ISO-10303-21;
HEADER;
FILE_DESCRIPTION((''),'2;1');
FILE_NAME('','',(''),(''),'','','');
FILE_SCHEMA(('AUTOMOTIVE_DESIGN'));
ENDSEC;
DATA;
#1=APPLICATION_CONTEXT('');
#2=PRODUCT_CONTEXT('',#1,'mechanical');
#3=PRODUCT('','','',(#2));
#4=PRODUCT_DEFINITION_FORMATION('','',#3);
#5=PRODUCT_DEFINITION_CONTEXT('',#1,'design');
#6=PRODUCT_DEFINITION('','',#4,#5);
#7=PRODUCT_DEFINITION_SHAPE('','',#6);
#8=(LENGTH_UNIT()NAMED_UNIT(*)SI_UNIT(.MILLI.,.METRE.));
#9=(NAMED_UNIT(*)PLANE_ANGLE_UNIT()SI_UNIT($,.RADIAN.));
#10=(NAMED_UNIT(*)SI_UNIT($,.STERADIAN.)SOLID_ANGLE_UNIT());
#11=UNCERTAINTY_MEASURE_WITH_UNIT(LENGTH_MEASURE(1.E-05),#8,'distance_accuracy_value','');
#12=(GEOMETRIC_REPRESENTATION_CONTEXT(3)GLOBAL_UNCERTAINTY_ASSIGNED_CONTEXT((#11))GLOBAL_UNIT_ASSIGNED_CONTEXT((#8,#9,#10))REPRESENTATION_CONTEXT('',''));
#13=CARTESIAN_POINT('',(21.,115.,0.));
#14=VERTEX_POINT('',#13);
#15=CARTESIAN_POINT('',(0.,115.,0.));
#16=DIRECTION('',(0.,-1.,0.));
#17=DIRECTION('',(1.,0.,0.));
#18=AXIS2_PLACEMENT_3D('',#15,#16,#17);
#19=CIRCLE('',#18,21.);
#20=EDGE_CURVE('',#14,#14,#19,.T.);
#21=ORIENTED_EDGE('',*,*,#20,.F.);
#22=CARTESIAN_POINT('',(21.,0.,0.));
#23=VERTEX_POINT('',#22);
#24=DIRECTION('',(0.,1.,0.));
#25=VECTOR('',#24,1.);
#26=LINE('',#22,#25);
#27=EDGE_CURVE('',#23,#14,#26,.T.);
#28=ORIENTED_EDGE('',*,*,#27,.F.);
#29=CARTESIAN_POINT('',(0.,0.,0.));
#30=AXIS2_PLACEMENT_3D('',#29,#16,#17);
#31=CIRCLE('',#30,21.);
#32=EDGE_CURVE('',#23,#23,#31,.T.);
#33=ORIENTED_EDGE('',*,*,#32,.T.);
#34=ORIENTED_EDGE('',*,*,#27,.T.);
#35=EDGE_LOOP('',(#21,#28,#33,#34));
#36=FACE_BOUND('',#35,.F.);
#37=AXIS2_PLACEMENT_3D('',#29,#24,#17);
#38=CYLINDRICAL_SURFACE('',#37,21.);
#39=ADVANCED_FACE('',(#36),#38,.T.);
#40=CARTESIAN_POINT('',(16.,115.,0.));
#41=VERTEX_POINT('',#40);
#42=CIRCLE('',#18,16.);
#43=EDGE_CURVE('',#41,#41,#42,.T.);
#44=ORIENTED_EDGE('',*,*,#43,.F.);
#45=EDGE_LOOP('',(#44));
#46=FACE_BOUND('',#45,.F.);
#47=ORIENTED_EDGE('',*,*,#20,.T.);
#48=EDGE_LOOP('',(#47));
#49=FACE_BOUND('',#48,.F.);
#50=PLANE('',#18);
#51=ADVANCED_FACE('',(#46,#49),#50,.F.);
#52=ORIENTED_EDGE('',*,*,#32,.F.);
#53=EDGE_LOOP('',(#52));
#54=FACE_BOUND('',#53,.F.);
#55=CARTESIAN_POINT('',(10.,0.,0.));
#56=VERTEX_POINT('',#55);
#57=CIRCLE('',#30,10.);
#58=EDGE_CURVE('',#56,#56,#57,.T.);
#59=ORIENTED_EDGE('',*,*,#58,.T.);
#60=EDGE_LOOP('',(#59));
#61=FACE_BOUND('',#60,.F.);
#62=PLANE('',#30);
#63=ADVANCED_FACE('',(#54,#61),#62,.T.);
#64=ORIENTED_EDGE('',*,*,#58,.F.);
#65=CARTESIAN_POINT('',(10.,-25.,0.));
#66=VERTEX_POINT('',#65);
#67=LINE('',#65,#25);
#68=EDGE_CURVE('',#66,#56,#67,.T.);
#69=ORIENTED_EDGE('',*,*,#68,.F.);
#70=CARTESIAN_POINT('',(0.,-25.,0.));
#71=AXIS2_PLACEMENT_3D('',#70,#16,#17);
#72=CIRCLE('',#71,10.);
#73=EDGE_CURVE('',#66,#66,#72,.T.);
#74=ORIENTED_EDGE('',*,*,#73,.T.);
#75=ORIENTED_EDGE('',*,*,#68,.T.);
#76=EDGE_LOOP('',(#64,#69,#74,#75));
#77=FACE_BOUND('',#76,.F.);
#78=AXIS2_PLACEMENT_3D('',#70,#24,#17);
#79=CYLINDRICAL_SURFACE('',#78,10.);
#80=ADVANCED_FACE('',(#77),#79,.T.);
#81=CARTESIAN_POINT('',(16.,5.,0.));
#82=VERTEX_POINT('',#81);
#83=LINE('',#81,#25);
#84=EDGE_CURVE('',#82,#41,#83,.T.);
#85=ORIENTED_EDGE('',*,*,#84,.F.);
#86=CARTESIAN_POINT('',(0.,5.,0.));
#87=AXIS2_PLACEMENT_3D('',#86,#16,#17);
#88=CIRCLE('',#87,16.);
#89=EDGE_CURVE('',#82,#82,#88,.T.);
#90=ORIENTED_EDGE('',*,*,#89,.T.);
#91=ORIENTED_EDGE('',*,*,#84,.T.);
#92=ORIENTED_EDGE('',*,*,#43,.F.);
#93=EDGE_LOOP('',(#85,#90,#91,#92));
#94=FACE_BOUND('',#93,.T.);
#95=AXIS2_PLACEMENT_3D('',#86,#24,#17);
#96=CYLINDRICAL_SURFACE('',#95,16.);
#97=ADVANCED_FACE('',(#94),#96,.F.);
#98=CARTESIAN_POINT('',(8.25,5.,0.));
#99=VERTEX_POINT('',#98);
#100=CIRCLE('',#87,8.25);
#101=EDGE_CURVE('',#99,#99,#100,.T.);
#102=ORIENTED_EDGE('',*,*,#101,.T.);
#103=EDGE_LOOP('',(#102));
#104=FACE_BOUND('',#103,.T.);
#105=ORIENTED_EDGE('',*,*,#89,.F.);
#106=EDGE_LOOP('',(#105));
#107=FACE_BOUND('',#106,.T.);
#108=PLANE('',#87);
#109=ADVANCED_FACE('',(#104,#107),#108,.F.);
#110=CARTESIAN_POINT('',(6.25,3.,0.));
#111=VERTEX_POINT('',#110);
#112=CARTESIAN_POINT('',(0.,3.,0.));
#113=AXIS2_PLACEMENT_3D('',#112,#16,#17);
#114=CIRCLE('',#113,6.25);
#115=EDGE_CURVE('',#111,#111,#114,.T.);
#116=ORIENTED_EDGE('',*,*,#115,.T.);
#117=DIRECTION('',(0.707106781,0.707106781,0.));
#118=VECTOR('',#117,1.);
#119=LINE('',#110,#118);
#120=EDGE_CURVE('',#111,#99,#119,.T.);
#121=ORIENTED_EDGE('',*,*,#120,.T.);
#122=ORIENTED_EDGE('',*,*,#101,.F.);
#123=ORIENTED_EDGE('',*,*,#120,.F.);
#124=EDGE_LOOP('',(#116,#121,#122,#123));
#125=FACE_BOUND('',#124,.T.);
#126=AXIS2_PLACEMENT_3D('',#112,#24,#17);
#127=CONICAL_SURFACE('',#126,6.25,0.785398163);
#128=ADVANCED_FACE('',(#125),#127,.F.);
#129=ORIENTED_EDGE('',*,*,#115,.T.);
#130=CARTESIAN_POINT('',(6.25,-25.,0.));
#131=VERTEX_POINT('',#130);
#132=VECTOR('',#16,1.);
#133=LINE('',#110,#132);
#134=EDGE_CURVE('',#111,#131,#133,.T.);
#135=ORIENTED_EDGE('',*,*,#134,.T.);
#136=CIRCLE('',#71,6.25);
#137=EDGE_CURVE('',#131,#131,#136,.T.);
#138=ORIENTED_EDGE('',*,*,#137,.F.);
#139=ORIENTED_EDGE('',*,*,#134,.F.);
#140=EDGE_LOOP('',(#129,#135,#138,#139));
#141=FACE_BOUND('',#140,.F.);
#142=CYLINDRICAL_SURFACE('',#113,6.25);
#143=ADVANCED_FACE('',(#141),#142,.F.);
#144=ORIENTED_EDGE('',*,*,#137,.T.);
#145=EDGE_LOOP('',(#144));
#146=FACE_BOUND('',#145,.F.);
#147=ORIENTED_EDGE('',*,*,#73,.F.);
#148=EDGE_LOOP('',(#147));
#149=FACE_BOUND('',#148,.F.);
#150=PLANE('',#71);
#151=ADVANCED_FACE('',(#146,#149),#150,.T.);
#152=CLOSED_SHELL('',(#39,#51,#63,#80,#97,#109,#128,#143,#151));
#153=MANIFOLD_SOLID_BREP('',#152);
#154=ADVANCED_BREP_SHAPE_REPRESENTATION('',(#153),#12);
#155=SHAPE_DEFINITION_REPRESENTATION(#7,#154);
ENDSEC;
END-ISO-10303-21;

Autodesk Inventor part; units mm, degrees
ref_plane "YZ Plane" through (0, 0, 0) normal (1, 0, 0) x (0, 1, 0)
ref_plane "XZ Plane" through (0, 0, 0) normal (0, 1, 0) x (-1, 0, 0)
ref_plane "XY Plane" through (0, 0, 0) normal (0, 0, 1) x (1, 0, 0)
sketch "Sketch1" plane through (0, 0, 0) normal (0, 0, 1) x (1, 0, 0)
  line L0 (0, 0) -> (0, -25) construction
  line L1 (6.25, 3) -> (6.25, -25)
  line L2 (6.25, -25) -> (10, -25)
  line L3 (10, -25) -> (10, 0)
  line L4 (0, 0) -> (6.25, 0) construction
  line L5 (10, 0) -> (21, 0)
  line L6 (21, 0) -> (21, 115)
  line L7 (8.25, 5) -> (16, 5)
  line L8 (16, 5) -> (16, 115)
  line L9 (21, 115) -> (16, 115)
  line L10 (0, 0) -> (0, 121) construction
  line L11 (6.25, 3) -> (8.25, 5)
  point P0 (6.25, 5)
  point P1 (3.125, 0)
  dimension "d0" = 12.5
  dimension "d1" = 20
  dimension "d2" = 25
  dimension "d6" = 115
  dimension "d8" = 5
  dimension "d9" = 5
  dimension "d11" = 32
  dimension "d16" = 2
  dimension "d17" = 2
revolve "Revolution1" add sketch "Sketch1" angle 360 about axis through (0, 0, 0) along (0, -1, 0)
thread "Thread1" size "M20x2.5" class "6g" standard "ANSI Metric M Profile" full length
thread "Thread3" size "M32x2" class "6H" standard "ANSI Metric M Profile" length 10
equation "\"d17\" = d16"
properties part number "Lagertopf"
